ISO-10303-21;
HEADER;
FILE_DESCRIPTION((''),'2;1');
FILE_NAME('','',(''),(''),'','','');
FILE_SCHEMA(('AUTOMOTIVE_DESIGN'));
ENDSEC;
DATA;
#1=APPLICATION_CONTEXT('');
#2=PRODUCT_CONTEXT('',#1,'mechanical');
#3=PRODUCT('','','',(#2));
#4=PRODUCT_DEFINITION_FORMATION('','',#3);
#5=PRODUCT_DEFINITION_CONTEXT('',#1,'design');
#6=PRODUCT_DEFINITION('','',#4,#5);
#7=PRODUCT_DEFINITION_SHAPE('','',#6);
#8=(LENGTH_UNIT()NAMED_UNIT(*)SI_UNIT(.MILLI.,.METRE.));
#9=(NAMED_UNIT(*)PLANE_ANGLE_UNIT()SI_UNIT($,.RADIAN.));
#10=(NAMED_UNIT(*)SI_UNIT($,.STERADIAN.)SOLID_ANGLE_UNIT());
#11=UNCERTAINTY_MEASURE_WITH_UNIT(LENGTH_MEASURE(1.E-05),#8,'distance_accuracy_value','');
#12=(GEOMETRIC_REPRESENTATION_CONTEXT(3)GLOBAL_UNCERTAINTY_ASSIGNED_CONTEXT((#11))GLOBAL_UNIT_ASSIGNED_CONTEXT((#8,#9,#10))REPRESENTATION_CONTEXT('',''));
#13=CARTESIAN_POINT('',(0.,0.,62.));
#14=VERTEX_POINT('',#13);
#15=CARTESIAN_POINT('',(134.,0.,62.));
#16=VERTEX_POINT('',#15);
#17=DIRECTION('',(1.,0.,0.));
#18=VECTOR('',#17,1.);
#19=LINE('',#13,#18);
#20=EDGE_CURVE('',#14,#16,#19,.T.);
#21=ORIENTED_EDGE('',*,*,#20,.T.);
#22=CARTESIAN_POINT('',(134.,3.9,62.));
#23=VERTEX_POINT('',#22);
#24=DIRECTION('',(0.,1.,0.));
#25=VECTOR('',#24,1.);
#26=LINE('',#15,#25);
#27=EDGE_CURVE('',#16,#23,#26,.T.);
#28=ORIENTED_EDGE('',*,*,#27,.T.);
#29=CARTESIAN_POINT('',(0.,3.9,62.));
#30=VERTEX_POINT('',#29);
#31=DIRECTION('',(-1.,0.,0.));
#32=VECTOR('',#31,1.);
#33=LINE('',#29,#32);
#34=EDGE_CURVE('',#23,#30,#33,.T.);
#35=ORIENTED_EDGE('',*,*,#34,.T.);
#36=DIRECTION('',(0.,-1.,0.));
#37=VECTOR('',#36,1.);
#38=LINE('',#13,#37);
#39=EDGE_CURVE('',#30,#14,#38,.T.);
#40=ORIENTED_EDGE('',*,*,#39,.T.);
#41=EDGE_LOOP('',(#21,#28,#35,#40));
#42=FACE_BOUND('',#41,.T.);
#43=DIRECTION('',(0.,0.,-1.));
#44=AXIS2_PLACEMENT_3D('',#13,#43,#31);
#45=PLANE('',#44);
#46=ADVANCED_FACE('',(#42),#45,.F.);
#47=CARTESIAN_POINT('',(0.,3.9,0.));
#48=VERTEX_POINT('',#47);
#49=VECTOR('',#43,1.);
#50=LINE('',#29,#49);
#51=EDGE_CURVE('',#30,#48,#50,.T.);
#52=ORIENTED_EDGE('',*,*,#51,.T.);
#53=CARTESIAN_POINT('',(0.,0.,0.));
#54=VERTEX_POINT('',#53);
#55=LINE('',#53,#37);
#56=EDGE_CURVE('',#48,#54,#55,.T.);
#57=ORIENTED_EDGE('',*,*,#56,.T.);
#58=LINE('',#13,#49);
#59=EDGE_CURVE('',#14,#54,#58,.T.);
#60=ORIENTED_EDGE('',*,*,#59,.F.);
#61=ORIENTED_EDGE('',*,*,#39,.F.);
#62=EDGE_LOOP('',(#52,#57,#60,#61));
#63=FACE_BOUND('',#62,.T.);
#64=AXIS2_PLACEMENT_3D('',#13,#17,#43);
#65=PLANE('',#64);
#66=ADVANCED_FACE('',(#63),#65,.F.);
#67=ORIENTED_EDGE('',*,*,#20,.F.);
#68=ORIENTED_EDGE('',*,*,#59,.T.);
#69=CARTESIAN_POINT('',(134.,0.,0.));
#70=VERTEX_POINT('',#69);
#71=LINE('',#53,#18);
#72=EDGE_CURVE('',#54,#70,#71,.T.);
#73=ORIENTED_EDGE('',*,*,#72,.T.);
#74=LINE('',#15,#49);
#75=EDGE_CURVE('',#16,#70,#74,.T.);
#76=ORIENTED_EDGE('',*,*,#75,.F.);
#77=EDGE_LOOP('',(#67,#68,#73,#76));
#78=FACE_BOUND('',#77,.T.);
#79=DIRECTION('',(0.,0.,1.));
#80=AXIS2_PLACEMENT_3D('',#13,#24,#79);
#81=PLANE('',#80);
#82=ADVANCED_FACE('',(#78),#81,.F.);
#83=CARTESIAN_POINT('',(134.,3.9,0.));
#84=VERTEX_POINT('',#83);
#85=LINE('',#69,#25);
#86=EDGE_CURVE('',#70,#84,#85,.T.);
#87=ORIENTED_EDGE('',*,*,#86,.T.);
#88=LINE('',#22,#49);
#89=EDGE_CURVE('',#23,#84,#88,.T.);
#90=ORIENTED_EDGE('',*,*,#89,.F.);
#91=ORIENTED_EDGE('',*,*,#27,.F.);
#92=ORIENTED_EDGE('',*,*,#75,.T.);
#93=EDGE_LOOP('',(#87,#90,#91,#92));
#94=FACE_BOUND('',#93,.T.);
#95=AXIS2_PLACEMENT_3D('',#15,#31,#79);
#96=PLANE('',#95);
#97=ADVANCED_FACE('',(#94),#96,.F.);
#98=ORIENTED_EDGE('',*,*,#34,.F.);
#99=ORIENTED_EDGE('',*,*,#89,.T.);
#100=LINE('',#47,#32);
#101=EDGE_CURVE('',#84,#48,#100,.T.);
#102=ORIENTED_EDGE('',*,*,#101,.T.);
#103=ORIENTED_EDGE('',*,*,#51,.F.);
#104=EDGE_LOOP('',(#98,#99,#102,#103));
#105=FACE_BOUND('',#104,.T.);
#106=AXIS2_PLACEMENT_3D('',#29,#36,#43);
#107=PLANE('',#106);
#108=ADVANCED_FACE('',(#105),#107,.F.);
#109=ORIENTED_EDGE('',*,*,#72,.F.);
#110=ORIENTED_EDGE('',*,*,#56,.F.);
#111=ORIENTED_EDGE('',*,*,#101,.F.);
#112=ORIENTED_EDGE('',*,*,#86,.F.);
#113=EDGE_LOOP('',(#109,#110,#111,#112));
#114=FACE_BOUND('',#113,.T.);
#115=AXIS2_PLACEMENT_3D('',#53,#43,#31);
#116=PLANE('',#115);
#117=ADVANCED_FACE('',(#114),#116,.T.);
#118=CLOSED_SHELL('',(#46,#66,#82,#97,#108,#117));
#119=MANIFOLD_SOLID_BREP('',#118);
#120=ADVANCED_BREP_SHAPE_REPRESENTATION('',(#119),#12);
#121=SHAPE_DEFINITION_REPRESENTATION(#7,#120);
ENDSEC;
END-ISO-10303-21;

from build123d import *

# Parameters (mm, degrees)
SKETCH_1_W      = 134
SKETCH_1_H      = 3.9
EXTRUDE_1_DEPTH = 62


with BuildPart() as part:
    # 草图1 → 凸台-拉伸1 (new body)
    with BuildSketch(Plane.XY):
        with Locations((67, 1.95)):
            Rectangle(SKETCH_1_W, SKETCH_1_H)
    extrude(amount=EXTRUDE_1_DEPTH)


solid = part.part
